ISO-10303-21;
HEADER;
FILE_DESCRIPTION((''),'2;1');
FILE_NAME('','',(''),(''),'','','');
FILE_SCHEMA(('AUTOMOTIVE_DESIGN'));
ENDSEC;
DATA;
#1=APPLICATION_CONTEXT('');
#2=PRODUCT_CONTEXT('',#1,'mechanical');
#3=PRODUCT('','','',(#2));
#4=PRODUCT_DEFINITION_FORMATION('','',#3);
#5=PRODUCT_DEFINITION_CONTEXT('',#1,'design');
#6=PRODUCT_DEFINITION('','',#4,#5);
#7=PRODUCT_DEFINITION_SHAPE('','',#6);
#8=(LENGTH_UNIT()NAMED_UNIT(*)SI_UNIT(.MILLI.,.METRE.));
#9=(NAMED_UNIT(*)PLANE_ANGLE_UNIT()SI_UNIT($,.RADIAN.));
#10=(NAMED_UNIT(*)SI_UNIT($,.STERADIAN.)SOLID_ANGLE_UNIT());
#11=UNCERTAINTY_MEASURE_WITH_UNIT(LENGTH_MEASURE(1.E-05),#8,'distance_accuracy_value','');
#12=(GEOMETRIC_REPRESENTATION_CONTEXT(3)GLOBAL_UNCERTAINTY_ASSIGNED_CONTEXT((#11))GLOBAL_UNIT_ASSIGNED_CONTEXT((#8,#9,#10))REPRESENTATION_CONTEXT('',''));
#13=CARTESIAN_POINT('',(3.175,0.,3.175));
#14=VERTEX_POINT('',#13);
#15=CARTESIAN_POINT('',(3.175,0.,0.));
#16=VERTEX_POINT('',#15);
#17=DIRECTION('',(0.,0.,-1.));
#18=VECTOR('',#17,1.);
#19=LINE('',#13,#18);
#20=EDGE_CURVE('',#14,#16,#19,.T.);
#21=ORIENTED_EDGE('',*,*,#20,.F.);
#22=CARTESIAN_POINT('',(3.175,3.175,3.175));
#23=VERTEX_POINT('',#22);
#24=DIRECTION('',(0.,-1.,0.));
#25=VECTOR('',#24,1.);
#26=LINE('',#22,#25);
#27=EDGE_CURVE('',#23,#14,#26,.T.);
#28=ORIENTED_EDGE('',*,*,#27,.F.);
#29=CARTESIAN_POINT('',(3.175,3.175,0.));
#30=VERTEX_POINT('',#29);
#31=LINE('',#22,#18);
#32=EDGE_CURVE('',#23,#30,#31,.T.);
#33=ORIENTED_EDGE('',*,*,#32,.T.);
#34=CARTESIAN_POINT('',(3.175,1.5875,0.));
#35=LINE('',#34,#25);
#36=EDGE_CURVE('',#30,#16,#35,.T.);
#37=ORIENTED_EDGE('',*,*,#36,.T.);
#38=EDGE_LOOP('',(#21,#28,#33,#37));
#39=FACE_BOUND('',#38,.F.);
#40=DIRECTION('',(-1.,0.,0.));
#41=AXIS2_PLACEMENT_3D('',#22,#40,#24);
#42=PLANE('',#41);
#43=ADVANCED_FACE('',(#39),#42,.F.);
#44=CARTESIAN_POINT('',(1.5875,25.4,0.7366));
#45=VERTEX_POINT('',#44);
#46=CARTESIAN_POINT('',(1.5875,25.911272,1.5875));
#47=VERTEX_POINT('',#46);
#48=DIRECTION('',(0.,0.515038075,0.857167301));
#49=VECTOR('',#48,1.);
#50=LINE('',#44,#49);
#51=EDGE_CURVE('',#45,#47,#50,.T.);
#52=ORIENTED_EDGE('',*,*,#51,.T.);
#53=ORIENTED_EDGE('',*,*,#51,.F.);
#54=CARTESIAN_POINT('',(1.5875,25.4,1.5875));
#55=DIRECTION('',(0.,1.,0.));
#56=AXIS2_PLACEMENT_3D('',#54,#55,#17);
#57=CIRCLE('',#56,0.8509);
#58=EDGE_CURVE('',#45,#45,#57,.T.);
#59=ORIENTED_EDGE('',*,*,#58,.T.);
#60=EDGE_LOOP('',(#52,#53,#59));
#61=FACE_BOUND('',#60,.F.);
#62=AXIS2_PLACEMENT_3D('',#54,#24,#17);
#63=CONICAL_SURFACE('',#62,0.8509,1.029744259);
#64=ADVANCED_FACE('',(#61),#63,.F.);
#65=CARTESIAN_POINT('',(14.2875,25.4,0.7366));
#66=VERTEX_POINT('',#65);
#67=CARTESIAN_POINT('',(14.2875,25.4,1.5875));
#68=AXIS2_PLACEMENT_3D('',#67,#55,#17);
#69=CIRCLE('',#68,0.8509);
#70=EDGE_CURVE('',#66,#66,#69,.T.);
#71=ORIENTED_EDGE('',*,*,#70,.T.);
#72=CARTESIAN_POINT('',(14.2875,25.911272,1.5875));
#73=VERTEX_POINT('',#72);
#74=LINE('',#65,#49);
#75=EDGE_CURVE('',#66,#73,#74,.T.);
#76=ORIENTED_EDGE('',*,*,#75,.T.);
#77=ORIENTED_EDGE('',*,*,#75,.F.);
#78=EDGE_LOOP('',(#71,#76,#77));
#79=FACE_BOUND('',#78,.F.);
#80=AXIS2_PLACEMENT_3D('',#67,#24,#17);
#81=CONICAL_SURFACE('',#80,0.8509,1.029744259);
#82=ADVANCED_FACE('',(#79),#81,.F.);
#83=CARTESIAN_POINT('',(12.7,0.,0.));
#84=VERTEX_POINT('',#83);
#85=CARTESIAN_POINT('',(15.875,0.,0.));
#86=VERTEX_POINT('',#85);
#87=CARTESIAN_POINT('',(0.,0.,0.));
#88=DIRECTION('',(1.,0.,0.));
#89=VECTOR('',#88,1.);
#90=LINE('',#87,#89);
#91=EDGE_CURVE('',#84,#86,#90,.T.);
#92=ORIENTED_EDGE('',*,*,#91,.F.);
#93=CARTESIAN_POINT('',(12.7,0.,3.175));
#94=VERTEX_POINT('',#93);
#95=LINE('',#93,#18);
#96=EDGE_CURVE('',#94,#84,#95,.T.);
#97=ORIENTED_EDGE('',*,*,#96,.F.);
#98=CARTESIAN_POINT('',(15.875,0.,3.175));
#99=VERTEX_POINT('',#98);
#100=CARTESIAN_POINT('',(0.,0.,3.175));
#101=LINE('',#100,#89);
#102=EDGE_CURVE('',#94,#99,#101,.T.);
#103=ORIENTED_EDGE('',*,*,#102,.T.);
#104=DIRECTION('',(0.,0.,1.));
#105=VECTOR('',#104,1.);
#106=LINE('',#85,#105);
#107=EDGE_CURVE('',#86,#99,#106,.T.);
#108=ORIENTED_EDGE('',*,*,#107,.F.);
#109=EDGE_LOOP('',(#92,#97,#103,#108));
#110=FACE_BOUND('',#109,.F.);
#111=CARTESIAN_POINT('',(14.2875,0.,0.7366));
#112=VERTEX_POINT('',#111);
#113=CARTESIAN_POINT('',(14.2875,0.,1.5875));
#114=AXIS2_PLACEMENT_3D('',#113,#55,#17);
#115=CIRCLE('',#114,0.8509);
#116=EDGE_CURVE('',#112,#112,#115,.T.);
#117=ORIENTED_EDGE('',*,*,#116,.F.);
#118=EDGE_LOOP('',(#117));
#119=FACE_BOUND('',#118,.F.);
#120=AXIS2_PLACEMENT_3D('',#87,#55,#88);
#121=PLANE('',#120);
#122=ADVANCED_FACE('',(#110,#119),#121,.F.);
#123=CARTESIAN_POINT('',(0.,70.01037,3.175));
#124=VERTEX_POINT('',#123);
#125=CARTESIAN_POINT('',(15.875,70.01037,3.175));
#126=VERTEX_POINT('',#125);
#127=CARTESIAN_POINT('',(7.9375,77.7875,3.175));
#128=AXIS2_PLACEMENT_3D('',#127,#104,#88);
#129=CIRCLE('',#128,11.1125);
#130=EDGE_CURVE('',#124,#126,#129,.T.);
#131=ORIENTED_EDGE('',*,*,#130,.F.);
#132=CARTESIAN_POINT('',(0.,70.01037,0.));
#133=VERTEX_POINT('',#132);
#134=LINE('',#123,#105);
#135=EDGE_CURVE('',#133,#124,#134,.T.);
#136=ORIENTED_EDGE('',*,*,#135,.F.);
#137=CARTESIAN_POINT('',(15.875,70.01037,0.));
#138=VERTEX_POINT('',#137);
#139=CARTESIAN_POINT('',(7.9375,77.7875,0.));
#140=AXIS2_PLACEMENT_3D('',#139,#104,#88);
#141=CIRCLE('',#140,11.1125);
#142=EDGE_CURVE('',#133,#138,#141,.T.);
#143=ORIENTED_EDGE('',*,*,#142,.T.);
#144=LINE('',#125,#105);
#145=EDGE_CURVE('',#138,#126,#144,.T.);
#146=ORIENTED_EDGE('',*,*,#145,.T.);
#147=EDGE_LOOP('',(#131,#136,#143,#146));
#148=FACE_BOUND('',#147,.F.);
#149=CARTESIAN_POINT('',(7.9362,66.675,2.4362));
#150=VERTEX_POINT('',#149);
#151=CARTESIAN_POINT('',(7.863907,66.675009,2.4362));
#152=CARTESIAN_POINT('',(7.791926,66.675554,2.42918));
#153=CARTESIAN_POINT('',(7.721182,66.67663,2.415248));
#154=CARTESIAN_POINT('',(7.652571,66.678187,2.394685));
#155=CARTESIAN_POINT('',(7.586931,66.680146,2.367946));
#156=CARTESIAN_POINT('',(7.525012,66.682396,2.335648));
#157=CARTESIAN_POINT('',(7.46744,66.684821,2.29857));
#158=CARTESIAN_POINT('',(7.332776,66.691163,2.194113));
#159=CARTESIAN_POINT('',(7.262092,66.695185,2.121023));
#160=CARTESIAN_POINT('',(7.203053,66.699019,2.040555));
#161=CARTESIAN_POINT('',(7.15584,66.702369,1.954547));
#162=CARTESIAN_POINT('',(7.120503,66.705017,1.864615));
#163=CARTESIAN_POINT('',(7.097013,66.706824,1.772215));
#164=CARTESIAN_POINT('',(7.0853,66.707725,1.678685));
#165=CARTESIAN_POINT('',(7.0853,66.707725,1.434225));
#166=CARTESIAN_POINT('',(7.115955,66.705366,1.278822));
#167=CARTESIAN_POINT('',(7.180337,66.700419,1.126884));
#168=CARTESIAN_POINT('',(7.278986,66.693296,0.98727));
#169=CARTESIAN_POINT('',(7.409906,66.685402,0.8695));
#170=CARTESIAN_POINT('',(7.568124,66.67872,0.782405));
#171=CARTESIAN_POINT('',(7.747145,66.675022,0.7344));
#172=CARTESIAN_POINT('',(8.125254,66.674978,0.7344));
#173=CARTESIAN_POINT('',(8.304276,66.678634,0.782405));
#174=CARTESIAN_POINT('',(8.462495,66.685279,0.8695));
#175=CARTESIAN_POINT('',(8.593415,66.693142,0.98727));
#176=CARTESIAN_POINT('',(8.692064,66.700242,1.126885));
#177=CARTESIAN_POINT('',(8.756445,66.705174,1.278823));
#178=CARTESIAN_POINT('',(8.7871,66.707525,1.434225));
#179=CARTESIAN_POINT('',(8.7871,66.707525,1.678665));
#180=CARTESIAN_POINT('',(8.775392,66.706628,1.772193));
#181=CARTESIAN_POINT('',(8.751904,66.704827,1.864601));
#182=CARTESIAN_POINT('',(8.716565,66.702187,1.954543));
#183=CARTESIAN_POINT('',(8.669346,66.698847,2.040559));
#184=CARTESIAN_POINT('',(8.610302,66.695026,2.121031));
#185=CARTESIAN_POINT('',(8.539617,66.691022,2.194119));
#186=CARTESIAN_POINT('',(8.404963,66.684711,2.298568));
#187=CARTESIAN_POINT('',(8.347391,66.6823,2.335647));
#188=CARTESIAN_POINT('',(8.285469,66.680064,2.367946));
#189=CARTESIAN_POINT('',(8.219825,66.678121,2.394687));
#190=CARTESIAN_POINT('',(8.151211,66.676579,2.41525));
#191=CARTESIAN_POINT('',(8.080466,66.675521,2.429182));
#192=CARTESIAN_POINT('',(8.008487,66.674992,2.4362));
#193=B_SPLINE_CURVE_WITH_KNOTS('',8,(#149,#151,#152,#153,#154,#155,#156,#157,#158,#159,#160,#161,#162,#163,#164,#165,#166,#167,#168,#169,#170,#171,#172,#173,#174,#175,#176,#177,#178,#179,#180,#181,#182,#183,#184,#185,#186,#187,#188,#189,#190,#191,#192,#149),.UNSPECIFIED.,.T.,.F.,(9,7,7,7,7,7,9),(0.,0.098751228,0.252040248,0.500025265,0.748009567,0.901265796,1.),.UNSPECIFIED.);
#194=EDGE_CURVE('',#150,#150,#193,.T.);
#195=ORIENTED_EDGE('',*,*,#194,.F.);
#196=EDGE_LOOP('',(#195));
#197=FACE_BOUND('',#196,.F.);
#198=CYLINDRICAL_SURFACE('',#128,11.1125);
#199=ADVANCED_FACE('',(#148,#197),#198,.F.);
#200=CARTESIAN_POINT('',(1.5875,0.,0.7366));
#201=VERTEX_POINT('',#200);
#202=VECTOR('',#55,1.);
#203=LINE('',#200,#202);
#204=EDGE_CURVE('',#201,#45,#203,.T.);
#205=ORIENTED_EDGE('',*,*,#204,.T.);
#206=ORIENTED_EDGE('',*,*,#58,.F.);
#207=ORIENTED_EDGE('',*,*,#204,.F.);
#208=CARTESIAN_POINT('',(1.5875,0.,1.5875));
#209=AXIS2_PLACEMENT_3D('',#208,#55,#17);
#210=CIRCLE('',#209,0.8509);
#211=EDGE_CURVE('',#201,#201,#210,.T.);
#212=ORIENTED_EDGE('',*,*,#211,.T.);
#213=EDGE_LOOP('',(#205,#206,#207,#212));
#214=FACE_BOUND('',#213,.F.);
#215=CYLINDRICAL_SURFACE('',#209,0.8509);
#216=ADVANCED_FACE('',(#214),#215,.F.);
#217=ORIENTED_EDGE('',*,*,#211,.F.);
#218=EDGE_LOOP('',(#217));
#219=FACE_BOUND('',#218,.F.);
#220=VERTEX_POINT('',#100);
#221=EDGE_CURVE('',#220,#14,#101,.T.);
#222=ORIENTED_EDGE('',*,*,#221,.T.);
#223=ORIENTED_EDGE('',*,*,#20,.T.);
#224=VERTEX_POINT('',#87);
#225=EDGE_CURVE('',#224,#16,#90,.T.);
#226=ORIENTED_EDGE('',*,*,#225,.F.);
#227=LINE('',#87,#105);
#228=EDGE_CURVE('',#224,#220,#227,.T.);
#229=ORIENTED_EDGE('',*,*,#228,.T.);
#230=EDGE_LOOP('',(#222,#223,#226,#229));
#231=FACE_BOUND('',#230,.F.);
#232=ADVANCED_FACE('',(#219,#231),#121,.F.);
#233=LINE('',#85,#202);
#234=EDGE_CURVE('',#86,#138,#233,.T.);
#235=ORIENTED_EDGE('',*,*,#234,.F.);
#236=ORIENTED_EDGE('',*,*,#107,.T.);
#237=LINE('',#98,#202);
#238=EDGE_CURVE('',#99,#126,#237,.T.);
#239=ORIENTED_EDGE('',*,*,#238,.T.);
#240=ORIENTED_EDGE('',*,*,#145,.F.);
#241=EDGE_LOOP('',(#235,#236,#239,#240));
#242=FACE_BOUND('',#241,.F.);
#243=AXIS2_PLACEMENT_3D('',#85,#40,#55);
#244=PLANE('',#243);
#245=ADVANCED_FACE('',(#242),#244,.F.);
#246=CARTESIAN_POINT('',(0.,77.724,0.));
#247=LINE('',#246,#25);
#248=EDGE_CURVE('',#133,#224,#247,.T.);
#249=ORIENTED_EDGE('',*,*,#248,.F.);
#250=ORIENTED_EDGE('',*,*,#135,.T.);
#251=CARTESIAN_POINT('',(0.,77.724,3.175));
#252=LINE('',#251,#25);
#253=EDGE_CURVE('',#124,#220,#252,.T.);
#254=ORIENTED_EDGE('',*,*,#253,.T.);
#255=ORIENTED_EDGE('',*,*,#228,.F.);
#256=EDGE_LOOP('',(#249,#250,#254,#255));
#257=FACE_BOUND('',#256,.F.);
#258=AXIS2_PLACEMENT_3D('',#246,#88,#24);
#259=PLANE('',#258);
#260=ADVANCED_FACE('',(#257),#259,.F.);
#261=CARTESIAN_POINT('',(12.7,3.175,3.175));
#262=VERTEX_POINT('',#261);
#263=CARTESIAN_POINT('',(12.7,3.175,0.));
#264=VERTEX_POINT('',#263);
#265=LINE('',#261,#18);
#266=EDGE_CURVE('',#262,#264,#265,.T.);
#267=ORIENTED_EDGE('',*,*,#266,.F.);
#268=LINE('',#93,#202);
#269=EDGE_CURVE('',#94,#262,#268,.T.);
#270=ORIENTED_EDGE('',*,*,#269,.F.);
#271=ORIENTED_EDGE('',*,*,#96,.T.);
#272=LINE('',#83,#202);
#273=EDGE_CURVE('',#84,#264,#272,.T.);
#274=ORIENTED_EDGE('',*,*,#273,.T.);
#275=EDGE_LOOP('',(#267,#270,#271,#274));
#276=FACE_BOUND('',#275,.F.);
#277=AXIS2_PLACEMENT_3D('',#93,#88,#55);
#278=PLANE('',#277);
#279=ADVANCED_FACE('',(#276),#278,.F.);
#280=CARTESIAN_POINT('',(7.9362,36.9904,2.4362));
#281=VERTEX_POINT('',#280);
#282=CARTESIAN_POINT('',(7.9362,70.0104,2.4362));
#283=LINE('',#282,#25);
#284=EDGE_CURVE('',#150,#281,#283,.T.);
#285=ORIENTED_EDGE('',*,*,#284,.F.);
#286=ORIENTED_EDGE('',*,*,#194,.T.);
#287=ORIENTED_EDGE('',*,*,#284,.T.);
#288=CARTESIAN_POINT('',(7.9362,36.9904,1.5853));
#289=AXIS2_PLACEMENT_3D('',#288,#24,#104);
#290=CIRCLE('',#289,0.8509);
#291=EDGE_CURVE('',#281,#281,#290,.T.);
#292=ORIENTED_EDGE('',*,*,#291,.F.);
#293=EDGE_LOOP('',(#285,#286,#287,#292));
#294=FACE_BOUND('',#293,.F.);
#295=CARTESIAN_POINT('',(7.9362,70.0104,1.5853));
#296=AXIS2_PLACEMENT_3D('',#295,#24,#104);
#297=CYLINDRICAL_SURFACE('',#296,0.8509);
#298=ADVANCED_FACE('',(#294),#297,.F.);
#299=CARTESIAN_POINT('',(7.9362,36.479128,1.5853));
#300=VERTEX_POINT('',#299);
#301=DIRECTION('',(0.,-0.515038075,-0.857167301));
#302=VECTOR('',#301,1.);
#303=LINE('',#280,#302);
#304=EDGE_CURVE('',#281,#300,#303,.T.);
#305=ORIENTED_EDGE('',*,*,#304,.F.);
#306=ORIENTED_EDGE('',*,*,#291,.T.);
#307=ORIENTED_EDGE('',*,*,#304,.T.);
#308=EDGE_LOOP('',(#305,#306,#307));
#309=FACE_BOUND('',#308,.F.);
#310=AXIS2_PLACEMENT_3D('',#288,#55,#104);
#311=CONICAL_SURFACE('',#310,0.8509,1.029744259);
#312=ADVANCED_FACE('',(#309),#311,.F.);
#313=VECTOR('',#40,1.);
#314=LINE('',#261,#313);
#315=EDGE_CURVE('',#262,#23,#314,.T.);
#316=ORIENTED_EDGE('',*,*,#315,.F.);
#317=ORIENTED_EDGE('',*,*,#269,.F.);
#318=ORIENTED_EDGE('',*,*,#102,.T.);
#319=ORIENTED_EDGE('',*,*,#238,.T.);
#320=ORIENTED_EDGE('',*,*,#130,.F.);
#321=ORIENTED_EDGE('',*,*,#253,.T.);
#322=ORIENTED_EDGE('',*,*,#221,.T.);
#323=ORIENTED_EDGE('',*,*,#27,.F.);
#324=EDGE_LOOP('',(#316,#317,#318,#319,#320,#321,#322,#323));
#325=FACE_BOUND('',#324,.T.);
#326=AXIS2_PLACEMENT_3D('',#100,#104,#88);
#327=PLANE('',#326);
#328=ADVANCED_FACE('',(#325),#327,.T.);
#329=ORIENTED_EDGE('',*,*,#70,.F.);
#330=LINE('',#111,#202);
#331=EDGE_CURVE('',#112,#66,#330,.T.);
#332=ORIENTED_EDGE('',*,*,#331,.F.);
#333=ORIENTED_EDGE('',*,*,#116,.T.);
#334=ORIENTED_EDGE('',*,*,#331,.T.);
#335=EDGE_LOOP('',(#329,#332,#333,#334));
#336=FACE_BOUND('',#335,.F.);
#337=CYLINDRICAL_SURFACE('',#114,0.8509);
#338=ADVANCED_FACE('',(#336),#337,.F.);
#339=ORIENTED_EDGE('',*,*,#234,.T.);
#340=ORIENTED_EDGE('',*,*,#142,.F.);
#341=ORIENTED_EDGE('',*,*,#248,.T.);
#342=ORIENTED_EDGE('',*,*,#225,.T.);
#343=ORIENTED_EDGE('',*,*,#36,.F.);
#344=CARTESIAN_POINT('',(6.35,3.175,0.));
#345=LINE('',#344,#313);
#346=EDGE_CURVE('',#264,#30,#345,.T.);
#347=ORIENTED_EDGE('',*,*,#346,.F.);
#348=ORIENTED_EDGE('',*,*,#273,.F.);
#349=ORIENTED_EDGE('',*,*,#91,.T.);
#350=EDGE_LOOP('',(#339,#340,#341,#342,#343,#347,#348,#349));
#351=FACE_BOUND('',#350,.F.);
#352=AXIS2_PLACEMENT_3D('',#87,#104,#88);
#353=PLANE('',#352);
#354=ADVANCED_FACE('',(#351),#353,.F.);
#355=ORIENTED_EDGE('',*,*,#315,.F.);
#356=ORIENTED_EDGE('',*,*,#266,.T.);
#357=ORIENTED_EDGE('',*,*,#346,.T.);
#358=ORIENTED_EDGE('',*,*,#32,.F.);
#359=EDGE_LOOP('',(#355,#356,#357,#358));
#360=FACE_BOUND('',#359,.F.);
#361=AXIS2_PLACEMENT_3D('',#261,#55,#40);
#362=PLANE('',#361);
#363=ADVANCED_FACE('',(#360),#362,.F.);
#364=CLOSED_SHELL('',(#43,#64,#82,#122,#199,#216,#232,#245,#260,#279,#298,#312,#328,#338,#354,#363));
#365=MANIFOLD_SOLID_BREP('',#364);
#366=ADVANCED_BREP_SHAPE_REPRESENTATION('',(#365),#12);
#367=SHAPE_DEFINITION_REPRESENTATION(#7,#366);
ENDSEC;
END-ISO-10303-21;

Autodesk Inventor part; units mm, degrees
ref_plane "YZ Plane" through (0, 0, 0) normal (1, 0, 0) x (0, 1, 0)
ref_plane "XZ Plane" through (0, 0, 0) normal (0, 1, 0) x (-1, 0, 0)
sketch "Sketch1" plane through (0, 0, 0) normal (0, 0, 1) x (1, 0, 0)
  line L0 (0, 0) -> (15.875, 0)
  line L1 (15.875, 0) -> (15.875, 77.724)
  line L2 (15.875, 77.724) -> (0, 77.724)
  line L3 (0, 77.724) -> (0, 0)
  dimension "d0" = 77.724
  dimension "d1" = 15.875
extrude "Extrusion1" add sketch "Sketch1" along normal blind 3.175
sketch "Sketch2" plane through (0, 0, 3.175) normal (0, 0, 1) x (1, 0, 0)
  line L0 (0, 0) -> (15.875, 0) projected
  line L1 (15.875, 77.724) -> (0, 77.724) projected
  line L2 (3.175, 0) -> (12.7, 0)
  line L3 (12.7, 0) -> (12.7, 3.175)
  line L4 (12.7, 3.175) -> (3.175, 3.175)
  line L5 (3.175, 3.175) -> (3.175, 0)
  line L6 (7.9375, 3.175) -> (7.9375, 0) construction
  line L7 (7.9375, 77.724) -> (7.9375, 0) construction
  dimension "d4" = 9.525
  dimension "d6" = 3.175
extrude "Extrusion2" cut sketch "Sketch2" against normal through all
sketch "Sketch3" plane through (0, 0, 3.175) normal (0, 0, 1) x (1, 0, 0)
  circle A0 centre (7.9375, 77.7875) radius 11.1125
  dimension "d11" = 22.225
extrude "Extrusion3" cut sketch "Sketch3" against normal blind 3.175
ref_plane "Work Plane1" through (15.875, 70.0104, 0) normal (0, -1, 0) x (0, 0, 1)
sketch "Sketch6" plane through (15.875, 70.0104, 0) normal (0, -1, 0) x (0, 0, 1)
  line L0 (3.1705, 0.0025) -> (0, 0.0025) construction
  line L1 (1.5853, 0.0025) -> (1.5853, 15.875) construction
  circle A0 centre (1.5853, 7.9388) radius 0.6177
  point P0 (0, 15.875)
hole "Hole3" at (7.9362, 70.0104, 1.5853) direction (0, -1, 0) diameter 1.7018 depth 33.02 tip angle 118
sketch "Sketch7" plane through (15.875, 0, 0) normal (0, -1, 0) x (1, 0, 0)
  line L0 (-15.875, 0) -> (0, 0) construction
  line L1 (0, 0) -> (0, 3.175) construction
  line L2 (0, 3.175) -> (-15.875, 3.175) construction
  line L3 (-15.875, 3.175) -> (-15.875, 0) construction
  line L4 (-7.9375, 3.175) -> (-7.9375, 0) construction
  circle A0 centre (-14.2875, 1.5875) radius 0.7756
  line L5 (-15.875, 0) -> (-15.875, 3.175) construction
  circle A1 centre (-1.5875, 1.5875) radius 0.7756
  point P0 (-3.175, 3.175)
  dimension "d36" = 15.875
  dimension "d37" = 6.35
hole "Hole4" at (14.2875, 0, 1.5875) at (1.5875, 0, 1.5875) direction (0, 1, 0) diameter 1.7018 depth 25.4 tip angle 118
properties part number "2f1ar" material "Brass, Soft Yellow"
